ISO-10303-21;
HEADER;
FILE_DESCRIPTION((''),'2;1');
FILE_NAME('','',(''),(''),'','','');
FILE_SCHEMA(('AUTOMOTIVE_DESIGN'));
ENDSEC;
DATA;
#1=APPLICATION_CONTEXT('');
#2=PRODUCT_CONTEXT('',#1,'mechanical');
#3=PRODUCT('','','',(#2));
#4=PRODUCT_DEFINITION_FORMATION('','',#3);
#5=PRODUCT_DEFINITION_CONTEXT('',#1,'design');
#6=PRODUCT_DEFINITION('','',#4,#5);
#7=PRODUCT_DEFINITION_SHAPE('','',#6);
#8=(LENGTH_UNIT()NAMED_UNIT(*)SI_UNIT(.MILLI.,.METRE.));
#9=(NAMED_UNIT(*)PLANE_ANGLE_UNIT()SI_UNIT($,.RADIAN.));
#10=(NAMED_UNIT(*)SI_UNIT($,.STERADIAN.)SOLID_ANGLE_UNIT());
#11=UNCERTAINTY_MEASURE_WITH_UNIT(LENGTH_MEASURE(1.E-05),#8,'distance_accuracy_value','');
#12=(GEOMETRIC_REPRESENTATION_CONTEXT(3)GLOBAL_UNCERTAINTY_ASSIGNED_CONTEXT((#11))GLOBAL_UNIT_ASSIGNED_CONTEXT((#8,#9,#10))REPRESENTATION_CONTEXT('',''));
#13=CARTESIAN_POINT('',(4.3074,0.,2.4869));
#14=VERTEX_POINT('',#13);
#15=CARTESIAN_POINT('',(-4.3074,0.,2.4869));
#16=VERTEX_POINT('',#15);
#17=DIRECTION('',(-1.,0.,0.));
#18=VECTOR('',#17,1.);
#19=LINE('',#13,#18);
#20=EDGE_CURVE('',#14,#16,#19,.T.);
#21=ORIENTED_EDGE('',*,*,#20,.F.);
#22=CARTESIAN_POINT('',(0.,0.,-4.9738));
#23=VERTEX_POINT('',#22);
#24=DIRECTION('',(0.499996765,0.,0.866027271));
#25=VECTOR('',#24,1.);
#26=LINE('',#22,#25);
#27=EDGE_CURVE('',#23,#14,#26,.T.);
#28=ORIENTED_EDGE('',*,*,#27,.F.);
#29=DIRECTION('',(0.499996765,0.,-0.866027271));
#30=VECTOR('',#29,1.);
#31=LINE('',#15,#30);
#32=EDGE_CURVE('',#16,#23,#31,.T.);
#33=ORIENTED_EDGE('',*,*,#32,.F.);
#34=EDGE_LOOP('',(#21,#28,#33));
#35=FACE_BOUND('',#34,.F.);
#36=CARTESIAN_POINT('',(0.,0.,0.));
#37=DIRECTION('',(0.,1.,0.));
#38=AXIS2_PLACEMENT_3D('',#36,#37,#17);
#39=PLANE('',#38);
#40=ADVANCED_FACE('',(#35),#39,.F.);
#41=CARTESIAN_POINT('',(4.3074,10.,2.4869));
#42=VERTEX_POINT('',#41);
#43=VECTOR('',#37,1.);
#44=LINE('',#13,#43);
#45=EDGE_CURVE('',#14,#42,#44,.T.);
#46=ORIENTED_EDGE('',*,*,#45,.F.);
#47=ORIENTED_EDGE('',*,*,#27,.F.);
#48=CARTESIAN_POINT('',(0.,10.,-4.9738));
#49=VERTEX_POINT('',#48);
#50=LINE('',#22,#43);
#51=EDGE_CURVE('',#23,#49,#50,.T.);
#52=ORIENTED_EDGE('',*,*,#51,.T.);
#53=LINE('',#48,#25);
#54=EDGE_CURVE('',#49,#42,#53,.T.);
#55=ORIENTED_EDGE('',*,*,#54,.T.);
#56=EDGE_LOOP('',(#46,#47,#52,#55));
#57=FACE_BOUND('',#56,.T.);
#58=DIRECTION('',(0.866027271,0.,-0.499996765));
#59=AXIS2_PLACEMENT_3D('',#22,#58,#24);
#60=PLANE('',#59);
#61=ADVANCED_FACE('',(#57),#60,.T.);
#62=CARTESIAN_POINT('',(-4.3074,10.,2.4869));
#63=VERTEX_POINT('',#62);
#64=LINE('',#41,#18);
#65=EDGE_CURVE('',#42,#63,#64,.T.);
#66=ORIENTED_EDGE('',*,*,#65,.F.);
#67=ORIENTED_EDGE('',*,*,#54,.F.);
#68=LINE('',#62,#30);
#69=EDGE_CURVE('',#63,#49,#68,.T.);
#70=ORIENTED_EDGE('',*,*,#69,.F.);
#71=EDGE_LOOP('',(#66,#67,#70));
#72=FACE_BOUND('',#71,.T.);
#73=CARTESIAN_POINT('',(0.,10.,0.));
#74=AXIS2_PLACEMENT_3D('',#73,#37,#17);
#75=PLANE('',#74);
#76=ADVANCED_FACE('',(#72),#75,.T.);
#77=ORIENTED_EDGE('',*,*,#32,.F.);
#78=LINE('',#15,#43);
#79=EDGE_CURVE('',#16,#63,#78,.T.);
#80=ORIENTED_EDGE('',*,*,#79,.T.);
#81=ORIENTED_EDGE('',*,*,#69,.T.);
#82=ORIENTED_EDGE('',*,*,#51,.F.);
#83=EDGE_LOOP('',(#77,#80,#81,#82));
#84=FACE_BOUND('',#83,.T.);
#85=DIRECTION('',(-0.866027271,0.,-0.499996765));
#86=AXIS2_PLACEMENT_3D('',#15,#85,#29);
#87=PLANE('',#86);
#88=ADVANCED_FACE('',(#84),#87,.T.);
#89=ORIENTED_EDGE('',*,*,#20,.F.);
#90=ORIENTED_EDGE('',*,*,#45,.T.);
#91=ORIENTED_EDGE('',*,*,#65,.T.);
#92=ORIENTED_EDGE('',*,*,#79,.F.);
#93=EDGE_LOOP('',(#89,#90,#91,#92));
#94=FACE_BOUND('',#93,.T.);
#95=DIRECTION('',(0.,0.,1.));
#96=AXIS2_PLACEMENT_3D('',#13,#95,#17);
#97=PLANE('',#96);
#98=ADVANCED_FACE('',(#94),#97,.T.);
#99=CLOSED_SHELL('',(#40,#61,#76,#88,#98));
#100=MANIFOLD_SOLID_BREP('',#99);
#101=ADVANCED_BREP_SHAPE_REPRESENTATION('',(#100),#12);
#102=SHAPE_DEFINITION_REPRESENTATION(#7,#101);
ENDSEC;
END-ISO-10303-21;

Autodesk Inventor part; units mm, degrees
ref_plane "YZ Plane" through (0, 0, 0) normal (1, 0, 0) x (0, 1, 0)
ref_plane "XZ Plane" through (0, 0, 0) normal (0, 1, 0) x (-1, 0, 0)
ref_plane "XY Plane" through (0, 0, 0) normal (0, 0, 1) x (1, 0, 0)
sketch "Sketch1" plane through (0, 0, 0) normal (0, 1, 0) x (-1, 0, 0)
  line L0 (0, -4.9738) -> (-4.3074, 2.4869)
  line L1 (-4.3074, 2.4869) -> (4.3074, 2.4869)
  line L2 (4.3074, 2.4869) -> (0, -4.9738)
  point P0 (0, 0)
  point P1 (0, 0)
extrude "Extrusion1" add sketch "Sketch1" along normal blind 10
properties part number "129_4"
